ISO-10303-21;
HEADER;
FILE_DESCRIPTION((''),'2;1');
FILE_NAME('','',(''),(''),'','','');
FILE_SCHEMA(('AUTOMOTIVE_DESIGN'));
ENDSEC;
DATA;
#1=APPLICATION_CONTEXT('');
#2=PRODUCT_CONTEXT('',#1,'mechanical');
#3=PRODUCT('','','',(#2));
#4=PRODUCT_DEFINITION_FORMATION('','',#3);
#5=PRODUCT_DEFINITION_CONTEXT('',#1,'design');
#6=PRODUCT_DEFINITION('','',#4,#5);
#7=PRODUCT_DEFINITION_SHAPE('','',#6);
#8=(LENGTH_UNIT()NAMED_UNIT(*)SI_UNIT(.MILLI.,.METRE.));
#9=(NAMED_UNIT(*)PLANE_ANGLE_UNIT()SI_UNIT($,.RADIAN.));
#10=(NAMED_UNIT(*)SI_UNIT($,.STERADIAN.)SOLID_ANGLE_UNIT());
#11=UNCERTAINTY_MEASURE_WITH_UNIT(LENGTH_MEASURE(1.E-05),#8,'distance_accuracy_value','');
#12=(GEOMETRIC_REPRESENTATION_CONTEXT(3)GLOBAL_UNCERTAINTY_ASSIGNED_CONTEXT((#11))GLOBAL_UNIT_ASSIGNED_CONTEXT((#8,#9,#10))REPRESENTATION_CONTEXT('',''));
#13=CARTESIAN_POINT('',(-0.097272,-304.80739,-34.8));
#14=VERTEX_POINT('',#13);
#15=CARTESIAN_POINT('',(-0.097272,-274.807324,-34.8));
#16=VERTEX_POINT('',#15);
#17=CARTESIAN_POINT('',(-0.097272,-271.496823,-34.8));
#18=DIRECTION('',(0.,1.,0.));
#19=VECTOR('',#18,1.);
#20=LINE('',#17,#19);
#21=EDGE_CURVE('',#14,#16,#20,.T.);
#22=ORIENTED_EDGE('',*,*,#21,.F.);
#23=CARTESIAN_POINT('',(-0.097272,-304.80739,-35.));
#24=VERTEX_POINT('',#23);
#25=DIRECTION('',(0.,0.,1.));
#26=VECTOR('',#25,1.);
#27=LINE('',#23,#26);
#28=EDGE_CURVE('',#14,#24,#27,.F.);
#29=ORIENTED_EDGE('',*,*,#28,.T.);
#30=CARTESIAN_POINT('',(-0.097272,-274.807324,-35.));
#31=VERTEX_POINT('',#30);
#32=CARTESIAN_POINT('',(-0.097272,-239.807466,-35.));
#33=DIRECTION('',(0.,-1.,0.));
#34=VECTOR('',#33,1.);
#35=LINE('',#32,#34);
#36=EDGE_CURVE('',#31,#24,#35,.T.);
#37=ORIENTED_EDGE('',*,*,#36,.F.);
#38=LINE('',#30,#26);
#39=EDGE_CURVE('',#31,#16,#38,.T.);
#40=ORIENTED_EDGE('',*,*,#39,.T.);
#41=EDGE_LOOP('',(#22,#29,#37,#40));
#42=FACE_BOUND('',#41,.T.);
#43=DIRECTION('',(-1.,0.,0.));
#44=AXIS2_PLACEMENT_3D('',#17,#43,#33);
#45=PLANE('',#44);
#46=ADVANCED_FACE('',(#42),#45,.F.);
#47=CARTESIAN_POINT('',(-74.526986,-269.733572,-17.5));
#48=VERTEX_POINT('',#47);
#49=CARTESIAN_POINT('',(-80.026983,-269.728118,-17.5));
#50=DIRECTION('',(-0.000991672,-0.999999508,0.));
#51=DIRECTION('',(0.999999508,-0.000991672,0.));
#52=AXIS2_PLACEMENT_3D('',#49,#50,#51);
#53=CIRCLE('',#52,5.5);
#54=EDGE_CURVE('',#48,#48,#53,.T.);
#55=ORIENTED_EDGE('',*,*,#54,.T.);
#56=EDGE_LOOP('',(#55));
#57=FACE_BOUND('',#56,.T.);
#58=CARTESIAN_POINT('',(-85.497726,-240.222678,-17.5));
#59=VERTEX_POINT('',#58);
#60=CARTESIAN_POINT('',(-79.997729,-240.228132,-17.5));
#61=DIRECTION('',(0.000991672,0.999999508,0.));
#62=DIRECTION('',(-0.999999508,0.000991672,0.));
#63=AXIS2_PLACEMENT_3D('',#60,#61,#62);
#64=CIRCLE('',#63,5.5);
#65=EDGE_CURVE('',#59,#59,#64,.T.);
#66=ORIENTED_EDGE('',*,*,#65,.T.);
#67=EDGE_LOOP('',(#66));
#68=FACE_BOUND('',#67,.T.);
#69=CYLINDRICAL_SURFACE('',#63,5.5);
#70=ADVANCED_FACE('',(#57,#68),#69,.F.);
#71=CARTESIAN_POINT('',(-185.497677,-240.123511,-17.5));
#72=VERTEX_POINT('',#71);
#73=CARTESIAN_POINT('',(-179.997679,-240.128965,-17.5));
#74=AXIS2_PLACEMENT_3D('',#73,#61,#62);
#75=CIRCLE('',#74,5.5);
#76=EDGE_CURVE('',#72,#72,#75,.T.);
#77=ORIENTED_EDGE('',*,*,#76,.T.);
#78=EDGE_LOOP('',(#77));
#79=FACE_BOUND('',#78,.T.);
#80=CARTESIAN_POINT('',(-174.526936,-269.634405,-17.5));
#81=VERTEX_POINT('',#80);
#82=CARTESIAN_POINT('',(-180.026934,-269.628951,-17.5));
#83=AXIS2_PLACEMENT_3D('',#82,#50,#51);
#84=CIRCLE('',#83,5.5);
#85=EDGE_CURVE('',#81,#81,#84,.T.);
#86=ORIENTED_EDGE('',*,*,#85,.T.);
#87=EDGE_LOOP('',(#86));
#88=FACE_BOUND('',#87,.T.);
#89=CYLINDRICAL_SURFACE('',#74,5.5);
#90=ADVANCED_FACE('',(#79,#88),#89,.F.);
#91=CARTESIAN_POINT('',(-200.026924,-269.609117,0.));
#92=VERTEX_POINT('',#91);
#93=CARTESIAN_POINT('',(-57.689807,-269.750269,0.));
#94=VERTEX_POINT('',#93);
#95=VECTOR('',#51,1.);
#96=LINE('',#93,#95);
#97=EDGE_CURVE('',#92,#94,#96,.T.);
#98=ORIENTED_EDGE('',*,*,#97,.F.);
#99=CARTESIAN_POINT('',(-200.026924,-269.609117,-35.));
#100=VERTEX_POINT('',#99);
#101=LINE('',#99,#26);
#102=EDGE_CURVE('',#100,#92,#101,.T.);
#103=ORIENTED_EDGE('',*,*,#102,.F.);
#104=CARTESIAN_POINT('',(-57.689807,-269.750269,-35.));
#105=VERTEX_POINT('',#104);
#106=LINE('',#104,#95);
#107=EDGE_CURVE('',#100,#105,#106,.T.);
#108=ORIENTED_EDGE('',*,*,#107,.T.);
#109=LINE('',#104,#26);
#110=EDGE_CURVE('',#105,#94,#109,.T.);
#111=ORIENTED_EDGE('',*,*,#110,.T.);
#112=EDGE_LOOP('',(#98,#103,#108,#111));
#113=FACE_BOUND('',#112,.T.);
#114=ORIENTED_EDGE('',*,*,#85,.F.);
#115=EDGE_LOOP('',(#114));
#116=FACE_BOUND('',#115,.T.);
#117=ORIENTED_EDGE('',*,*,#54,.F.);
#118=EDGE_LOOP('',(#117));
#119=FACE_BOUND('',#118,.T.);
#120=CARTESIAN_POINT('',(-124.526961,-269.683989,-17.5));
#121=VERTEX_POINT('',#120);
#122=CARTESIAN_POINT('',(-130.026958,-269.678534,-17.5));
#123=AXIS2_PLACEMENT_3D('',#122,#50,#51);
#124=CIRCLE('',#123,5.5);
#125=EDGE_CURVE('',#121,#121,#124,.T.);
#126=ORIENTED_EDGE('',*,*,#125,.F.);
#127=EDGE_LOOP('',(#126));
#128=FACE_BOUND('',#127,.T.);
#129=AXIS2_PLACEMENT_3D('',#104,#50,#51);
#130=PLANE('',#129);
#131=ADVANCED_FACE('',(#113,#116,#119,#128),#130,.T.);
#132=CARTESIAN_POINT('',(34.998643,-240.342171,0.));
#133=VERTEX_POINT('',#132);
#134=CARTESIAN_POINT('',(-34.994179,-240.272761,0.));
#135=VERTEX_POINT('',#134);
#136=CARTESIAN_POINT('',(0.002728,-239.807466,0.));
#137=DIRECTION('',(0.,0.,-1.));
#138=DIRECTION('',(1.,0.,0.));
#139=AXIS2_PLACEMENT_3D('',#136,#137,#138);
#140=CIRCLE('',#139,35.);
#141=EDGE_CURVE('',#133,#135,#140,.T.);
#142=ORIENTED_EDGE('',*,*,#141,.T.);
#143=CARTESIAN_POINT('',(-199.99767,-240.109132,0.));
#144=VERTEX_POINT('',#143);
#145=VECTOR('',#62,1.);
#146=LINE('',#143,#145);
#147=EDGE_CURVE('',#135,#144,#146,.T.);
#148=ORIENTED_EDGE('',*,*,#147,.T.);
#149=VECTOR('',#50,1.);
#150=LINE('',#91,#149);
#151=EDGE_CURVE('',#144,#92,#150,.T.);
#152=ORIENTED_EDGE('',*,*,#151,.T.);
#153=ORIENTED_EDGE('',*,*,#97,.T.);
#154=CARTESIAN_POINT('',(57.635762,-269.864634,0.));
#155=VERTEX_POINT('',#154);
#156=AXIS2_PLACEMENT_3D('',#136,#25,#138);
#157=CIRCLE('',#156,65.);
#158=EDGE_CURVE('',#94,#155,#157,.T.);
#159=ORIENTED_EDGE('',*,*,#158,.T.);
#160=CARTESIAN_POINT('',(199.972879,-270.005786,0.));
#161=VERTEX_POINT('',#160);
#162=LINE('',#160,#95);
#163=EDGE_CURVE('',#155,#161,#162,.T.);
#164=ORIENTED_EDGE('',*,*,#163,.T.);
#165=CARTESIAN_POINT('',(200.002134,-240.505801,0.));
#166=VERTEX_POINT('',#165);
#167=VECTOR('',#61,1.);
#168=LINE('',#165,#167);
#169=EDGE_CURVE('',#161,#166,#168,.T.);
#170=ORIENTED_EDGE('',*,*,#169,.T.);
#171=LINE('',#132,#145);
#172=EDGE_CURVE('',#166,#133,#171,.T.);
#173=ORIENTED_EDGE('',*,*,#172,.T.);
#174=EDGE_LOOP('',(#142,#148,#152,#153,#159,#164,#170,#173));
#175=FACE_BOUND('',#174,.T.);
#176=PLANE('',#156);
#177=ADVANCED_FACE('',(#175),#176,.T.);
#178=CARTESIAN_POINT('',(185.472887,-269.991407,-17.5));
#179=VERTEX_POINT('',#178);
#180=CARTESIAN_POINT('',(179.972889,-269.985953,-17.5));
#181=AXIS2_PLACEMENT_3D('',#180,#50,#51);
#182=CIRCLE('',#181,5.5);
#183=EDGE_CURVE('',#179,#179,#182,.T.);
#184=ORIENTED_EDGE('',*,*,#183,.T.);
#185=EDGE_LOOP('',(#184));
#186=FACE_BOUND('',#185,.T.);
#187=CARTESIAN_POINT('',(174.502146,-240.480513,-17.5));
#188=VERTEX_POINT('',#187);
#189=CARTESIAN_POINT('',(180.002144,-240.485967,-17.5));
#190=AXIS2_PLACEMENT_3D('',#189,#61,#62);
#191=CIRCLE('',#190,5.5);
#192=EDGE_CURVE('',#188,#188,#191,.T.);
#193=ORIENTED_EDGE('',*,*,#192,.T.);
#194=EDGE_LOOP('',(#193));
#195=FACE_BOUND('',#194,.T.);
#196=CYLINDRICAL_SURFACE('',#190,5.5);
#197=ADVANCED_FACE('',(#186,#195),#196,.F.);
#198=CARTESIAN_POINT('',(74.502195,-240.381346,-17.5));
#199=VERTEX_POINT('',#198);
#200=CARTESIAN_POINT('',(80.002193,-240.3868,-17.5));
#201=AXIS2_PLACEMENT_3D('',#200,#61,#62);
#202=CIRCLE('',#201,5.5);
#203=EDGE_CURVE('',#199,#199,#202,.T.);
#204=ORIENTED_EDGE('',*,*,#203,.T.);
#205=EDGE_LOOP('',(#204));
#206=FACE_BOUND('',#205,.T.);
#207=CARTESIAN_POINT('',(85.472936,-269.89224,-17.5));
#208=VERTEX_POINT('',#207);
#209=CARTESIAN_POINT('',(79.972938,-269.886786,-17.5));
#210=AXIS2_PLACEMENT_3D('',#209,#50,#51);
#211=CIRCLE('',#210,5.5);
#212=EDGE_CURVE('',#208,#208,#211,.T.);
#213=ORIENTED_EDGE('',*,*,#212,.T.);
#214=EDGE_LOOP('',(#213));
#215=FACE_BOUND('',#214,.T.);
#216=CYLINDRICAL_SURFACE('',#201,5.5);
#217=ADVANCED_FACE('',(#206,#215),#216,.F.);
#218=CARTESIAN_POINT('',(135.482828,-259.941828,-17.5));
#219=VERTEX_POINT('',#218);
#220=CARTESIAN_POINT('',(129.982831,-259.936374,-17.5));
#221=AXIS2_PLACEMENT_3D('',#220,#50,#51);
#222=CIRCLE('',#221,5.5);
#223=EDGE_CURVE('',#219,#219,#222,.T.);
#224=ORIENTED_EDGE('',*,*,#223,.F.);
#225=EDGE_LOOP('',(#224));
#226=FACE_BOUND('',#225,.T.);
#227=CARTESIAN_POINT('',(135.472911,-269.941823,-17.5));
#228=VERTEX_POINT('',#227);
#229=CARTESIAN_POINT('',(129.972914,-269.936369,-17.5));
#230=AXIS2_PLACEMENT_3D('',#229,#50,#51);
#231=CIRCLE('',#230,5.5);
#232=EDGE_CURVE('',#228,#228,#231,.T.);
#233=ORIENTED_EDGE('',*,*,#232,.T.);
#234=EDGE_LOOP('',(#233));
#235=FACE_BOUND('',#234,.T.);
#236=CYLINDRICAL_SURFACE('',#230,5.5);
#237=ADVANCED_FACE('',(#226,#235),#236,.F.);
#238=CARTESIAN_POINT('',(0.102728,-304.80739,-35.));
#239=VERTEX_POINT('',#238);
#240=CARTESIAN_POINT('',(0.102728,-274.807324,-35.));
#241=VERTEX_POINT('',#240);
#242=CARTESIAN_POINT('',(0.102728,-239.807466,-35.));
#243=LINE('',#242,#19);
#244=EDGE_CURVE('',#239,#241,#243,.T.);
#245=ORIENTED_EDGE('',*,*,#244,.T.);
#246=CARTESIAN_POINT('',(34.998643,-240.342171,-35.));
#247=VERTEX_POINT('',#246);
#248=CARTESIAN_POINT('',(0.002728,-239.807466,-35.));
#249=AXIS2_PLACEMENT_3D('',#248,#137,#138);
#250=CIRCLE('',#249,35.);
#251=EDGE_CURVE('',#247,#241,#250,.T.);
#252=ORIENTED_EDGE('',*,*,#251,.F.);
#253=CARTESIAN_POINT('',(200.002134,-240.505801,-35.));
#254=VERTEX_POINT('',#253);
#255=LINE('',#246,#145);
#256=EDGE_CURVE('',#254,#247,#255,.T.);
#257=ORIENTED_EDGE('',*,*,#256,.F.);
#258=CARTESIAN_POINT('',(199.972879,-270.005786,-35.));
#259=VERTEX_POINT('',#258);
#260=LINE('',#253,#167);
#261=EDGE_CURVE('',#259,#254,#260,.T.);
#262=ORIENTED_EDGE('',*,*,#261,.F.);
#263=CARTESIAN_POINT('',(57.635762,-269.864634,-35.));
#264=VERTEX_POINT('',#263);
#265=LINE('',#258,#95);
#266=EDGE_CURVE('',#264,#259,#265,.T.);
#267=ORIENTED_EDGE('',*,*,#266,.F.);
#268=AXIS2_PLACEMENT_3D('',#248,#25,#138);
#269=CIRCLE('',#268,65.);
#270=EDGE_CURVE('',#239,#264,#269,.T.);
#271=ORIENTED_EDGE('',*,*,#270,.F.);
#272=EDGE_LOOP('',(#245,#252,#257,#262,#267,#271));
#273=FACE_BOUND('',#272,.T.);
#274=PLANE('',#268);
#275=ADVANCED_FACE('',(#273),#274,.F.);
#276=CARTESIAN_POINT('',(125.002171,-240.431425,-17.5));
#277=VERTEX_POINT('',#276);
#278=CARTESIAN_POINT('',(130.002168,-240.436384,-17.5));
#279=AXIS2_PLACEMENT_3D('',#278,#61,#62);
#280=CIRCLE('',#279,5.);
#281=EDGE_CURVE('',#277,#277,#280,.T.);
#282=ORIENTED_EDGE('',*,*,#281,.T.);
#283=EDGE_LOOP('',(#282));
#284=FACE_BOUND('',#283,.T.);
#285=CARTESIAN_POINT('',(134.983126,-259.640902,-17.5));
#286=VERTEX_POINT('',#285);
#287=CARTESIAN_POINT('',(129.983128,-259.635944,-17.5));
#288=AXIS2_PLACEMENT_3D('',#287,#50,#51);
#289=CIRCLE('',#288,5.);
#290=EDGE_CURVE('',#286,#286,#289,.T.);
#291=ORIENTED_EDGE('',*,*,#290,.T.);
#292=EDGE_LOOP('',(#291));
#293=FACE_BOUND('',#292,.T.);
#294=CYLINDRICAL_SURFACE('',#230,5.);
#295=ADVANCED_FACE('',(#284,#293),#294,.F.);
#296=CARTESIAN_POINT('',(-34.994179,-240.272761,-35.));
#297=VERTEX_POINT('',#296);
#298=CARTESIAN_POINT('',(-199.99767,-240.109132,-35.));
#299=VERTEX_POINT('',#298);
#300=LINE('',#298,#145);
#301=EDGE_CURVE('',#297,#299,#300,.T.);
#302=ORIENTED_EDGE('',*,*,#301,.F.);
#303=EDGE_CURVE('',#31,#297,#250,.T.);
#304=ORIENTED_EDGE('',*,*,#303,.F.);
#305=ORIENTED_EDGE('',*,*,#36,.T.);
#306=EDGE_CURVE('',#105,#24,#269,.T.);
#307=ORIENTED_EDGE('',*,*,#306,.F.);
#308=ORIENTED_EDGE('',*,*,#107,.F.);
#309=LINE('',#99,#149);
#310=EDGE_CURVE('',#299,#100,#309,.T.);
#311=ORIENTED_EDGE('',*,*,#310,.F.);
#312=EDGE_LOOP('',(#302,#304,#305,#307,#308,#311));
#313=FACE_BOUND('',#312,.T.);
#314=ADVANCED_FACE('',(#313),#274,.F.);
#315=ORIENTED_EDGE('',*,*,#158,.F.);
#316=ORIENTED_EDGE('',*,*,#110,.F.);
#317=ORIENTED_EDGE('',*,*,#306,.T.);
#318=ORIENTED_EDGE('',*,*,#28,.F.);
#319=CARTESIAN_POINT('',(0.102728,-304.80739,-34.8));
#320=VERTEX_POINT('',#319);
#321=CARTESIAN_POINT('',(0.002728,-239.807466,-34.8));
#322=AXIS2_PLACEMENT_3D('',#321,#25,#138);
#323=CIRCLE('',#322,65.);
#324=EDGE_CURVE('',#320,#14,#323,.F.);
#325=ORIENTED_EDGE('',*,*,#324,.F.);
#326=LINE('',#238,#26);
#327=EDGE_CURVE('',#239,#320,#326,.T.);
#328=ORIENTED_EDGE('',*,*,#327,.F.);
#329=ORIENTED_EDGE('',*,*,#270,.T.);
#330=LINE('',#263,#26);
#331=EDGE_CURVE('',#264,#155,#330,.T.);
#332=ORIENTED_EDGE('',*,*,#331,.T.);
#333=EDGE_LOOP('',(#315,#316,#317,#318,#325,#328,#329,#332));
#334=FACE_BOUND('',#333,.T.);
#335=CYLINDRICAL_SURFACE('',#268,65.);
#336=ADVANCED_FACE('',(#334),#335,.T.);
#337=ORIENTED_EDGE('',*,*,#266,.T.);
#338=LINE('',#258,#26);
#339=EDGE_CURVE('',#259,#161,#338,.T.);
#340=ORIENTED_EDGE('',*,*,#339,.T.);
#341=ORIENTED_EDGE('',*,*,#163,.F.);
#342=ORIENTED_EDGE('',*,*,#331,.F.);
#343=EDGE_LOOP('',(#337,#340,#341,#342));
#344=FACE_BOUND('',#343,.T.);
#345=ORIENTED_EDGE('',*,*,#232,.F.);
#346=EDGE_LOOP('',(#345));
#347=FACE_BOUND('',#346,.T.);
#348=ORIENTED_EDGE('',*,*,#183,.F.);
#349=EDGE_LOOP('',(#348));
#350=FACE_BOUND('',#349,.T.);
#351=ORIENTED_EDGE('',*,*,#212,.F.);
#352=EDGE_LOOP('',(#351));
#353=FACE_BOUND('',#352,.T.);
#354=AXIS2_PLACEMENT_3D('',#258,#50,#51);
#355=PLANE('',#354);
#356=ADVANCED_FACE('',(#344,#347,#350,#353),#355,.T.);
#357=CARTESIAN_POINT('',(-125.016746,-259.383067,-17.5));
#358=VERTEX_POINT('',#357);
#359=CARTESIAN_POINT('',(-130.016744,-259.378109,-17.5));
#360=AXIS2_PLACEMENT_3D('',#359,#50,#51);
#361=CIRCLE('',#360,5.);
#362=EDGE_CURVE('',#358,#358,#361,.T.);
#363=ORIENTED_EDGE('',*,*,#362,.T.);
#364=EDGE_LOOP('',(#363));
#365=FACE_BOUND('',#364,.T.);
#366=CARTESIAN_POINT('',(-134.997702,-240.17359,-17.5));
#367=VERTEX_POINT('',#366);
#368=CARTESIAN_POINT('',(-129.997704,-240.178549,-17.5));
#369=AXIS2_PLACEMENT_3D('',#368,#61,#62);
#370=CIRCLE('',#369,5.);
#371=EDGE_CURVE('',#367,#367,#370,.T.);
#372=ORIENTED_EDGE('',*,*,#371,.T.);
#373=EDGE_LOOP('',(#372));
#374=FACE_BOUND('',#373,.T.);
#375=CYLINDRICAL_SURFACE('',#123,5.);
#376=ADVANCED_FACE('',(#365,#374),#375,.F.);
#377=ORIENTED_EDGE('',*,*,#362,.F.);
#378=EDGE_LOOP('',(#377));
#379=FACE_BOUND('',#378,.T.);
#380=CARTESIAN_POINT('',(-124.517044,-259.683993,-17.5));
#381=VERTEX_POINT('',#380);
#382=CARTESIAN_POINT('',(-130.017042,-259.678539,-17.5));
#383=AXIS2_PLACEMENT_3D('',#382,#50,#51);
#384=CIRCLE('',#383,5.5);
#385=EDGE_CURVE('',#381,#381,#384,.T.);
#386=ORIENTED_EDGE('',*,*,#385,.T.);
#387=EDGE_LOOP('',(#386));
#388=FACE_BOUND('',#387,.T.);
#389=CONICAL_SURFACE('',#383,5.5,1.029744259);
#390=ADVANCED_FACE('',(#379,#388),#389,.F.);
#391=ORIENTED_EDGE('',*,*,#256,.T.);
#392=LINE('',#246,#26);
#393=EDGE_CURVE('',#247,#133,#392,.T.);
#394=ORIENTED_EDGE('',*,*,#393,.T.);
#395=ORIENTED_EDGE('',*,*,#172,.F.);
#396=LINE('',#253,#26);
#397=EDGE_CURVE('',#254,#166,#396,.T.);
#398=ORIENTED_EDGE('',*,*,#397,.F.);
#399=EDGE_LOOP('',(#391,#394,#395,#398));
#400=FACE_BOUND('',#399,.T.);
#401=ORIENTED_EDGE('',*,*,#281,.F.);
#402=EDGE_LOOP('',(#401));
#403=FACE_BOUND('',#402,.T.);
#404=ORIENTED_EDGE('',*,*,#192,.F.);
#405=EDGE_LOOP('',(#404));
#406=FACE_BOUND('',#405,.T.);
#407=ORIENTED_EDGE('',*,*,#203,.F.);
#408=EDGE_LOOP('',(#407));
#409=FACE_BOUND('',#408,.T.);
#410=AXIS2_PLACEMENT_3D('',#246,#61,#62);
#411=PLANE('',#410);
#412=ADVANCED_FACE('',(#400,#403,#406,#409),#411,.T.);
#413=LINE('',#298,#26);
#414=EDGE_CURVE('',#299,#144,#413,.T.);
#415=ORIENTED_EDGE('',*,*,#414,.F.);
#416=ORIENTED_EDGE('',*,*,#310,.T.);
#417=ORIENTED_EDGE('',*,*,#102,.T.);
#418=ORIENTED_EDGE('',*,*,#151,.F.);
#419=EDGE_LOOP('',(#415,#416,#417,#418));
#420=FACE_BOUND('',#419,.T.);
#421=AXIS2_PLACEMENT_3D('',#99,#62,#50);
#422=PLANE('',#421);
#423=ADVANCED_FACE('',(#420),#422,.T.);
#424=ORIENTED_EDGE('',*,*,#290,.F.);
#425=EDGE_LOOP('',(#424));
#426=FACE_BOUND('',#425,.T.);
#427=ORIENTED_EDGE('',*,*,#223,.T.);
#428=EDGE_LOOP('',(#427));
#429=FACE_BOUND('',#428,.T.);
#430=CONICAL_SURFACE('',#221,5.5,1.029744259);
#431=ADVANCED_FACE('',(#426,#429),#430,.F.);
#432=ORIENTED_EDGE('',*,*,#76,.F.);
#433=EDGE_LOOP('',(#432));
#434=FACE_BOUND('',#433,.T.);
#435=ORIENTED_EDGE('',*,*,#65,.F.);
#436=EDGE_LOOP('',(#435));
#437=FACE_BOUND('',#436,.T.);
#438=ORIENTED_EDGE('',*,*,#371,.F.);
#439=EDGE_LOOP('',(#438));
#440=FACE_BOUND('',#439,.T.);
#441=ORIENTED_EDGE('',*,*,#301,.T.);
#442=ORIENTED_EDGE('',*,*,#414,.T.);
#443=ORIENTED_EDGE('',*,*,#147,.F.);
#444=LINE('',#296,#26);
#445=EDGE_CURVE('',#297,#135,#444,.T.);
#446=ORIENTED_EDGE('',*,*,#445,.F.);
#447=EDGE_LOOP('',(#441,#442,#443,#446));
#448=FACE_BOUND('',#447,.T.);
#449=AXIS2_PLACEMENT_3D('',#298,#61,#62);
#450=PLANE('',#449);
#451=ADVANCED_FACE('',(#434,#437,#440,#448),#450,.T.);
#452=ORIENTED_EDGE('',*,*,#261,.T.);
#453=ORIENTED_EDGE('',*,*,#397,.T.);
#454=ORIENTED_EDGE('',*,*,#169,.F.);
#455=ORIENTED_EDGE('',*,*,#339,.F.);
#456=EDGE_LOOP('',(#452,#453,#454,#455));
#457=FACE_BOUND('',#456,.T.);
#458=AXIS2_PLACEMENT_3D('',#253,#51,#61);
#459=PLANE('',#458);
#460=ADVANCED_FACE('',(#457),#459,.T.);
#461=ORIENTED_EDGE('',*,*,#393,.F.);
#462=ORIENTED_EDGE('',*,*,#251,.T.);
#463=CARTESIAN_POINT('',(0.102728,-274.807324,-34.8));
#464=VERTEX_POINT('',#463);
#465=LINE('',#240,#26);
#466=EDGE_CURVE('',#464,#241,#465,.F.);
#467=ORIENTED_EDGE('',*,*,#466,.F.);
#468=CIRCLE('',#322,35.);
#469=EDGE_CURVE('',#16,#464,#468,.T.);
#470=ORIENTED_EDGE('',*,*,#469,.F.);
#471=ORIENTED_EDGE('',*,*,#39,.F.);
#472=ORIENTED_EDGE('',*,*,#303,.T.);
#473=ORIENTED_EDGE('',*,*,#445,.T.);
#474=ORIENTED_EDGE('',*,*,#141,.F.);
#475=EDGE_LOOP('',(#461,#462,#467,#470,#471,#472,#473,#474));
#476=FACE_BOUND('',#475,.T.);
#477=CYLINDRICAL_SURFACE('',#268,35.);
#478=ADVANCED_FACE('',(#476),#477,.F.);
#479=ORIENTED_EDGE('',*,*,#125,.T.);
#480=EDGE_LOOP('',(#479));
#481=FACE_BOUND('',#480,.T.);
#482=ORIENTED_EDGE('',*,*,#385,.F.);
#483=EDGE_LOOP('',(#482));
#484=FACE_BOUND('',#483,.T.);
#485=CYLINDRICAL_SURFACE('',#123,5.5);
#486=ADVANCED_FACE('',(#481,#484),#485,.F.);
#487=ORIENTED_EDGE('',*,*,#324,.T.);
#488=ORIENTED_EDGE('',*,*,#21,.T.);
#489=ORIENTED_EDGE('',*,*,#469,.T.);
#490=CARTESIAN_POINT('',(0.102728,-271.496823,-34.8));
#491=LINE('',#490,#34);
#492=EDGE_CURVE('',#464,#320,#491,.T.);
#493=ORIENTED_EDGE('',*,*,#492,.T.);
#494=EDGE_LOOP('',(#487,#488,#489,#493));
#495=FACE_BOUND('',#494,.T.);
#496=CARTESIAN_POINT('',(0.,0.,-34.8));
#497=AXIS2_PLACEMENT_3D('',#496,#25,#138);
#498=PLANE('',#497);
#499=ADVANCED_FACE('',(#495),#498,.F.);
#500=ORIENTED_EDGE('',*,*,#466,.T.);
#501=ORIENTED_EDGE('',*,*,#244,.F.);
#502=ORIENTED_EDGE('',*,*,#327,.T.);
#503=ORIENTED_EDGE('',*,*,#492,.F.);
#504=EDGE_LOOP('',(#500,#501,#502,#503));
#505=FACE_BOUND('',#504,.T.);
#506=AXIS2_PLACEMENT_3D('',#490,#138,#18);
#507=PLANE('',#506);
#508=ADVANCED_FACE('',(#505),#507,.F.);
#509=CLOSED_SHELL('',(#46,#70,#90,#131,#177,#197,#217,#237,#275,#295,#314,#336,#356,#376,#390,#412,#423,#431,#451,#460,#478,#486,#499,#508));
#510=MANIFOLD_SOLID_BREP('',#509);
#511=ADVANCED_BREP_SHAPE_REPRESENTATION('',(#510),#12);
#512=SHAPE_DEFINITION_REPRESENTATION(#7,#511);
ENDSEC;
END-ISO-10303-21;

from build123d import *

# Parameters (mm, degrees)
RESSALTO_EXTRUS_O1_DEPTH         = 35
FURO_DE_DI_METRO_11_0_11_1_D     = 11
FUROS_GUIA_COM_10_0MM1_D         = 10
FURO_DE_DI_METRO_11_0_11_2_D     = 11
FURO_DE_DI_METRO_11_0_11_2_DEPTH = 10
FURO_DE_DI_METRO_11_0_11_2_TIP   = 3.304733405
ESBO_O8_W                        = 0.2
ESBO_O8_H                        = 36.606458827
CORTE_EXTRUS_O1_DEPTH            = 0.2


with BuildPart() as part:
    # Esboço1 → Ressalto-extrusão1 (new body)
    with BuildSketch(Plane.XY):
        with BuildLine():
            Line((-199.997669575, -240.109131808), (-34.994179097, -240.27276126))
            ThreePointArc((-34.994179097, -240.27276126), (-0.031980607, -274.807449281), (34.998643265, -240.34217123))
            Line((34.998643265, -240.34217123), (200.002133743, -240.505800682))
            Line((200.002133743, -240.505800682), (199.972879413, -270.005786177))
            Line((199.972879413, -270.005786177), (57.635762375, -269.864634348))
            ThreePointArc((57.635762375, -269.864634348), (-0.061730772, -304.80743453), (-57.689806866, -269.750269132))
            Line((-57.689806866, -269.750269132), (-200.026923904, -269.609117302))
            Line((-200.026923904, -269.609117302), (-199.997669575, -240.109131808))
        make_face()
    extrude(amount=-RESSALTO_EXTRUS_O1_DEPTH)

    # Furo de diâmetro Ø11.0 (11)1 (through all)
    with Locations(Plane(origin=(-0.238306111, -240.30722771, 0), x_dir=(0.9999995082930158, -0.000991672187112085, 0), z_dir=(0.000991672187112085, 0.9999995082930158, 0))):
        with Locations((-179.759461687, 17.5), (-79.759461687, 17.5), (80.240538313, 17.5), (180.240538313, 17.5)):
            Hole(FURO_DE_DI_METRO_11_0_11_1_D / 2)

    # Furos-guia com Ø10.0mm1 (through all)
    with Locations(Plane(origin=(-0.267560441, -269.807213205, 0), x_dir=(-0.9999995082930158, 0.0009916721871120312, 0), z_dir=(-0.0009916721871120312, -0.9999995082930158, 0))):
        with Locations((129.759461687, 17.5), (-130.240538313, 17.5), (-221.181262437, -155.418379851)):
            Hole(FUROS_GUIA_COM_10_0MM1_D / 2)

    # Furo de diâmetro Ø11.0 (11)2
    with Locations(Plane(origin=(-0.267560441, -269.807213205, 0), x_dir=(-0.9999995082930158, 0.0009916721871120312, 0), z_dir=(-0.0009916721871120312, -0.9999995082930158, 0))):
        with Locations((129.759461687, 17.5), (-130.240538313, 17.5)):
            Hole(FURO_DE_DI_METRO_11_0_11_2_D / 2, depth=FURO_DE_DI_METRO_11_0_11_2_DEPTH)
            with Locations((0, 0, -(FURO_DE_DI_METRO_11_0_11_2_DEPTH + FURO_DE_DI_METRO_11_0_11_2_TIP / 2))):  # 118° drill point
                Cone(0, FURO_DE_DI_METRO_11_0_11_2_D / 2, FURO_DE_DI_METRO_11_0_11_2_TIP, mode=Mode.SUBTRACT)

    # Esboço8 → Corte-extrusão1 (cut)
    with BuildSketch(Plane(origin=(0, 0, -35), x_dir=(-1, 0, 0), z_dir=(0, 0, -1))):
        with Locations((-0.00272792, -289.800051975)):
            Rectangle(ESBO_O8_W, ESBO_O8_H)
    extrude(amount=-CORTE_EXTRUS_O1_DEPTH, mode=Mode.SUBTRACT)


solid = part.part
